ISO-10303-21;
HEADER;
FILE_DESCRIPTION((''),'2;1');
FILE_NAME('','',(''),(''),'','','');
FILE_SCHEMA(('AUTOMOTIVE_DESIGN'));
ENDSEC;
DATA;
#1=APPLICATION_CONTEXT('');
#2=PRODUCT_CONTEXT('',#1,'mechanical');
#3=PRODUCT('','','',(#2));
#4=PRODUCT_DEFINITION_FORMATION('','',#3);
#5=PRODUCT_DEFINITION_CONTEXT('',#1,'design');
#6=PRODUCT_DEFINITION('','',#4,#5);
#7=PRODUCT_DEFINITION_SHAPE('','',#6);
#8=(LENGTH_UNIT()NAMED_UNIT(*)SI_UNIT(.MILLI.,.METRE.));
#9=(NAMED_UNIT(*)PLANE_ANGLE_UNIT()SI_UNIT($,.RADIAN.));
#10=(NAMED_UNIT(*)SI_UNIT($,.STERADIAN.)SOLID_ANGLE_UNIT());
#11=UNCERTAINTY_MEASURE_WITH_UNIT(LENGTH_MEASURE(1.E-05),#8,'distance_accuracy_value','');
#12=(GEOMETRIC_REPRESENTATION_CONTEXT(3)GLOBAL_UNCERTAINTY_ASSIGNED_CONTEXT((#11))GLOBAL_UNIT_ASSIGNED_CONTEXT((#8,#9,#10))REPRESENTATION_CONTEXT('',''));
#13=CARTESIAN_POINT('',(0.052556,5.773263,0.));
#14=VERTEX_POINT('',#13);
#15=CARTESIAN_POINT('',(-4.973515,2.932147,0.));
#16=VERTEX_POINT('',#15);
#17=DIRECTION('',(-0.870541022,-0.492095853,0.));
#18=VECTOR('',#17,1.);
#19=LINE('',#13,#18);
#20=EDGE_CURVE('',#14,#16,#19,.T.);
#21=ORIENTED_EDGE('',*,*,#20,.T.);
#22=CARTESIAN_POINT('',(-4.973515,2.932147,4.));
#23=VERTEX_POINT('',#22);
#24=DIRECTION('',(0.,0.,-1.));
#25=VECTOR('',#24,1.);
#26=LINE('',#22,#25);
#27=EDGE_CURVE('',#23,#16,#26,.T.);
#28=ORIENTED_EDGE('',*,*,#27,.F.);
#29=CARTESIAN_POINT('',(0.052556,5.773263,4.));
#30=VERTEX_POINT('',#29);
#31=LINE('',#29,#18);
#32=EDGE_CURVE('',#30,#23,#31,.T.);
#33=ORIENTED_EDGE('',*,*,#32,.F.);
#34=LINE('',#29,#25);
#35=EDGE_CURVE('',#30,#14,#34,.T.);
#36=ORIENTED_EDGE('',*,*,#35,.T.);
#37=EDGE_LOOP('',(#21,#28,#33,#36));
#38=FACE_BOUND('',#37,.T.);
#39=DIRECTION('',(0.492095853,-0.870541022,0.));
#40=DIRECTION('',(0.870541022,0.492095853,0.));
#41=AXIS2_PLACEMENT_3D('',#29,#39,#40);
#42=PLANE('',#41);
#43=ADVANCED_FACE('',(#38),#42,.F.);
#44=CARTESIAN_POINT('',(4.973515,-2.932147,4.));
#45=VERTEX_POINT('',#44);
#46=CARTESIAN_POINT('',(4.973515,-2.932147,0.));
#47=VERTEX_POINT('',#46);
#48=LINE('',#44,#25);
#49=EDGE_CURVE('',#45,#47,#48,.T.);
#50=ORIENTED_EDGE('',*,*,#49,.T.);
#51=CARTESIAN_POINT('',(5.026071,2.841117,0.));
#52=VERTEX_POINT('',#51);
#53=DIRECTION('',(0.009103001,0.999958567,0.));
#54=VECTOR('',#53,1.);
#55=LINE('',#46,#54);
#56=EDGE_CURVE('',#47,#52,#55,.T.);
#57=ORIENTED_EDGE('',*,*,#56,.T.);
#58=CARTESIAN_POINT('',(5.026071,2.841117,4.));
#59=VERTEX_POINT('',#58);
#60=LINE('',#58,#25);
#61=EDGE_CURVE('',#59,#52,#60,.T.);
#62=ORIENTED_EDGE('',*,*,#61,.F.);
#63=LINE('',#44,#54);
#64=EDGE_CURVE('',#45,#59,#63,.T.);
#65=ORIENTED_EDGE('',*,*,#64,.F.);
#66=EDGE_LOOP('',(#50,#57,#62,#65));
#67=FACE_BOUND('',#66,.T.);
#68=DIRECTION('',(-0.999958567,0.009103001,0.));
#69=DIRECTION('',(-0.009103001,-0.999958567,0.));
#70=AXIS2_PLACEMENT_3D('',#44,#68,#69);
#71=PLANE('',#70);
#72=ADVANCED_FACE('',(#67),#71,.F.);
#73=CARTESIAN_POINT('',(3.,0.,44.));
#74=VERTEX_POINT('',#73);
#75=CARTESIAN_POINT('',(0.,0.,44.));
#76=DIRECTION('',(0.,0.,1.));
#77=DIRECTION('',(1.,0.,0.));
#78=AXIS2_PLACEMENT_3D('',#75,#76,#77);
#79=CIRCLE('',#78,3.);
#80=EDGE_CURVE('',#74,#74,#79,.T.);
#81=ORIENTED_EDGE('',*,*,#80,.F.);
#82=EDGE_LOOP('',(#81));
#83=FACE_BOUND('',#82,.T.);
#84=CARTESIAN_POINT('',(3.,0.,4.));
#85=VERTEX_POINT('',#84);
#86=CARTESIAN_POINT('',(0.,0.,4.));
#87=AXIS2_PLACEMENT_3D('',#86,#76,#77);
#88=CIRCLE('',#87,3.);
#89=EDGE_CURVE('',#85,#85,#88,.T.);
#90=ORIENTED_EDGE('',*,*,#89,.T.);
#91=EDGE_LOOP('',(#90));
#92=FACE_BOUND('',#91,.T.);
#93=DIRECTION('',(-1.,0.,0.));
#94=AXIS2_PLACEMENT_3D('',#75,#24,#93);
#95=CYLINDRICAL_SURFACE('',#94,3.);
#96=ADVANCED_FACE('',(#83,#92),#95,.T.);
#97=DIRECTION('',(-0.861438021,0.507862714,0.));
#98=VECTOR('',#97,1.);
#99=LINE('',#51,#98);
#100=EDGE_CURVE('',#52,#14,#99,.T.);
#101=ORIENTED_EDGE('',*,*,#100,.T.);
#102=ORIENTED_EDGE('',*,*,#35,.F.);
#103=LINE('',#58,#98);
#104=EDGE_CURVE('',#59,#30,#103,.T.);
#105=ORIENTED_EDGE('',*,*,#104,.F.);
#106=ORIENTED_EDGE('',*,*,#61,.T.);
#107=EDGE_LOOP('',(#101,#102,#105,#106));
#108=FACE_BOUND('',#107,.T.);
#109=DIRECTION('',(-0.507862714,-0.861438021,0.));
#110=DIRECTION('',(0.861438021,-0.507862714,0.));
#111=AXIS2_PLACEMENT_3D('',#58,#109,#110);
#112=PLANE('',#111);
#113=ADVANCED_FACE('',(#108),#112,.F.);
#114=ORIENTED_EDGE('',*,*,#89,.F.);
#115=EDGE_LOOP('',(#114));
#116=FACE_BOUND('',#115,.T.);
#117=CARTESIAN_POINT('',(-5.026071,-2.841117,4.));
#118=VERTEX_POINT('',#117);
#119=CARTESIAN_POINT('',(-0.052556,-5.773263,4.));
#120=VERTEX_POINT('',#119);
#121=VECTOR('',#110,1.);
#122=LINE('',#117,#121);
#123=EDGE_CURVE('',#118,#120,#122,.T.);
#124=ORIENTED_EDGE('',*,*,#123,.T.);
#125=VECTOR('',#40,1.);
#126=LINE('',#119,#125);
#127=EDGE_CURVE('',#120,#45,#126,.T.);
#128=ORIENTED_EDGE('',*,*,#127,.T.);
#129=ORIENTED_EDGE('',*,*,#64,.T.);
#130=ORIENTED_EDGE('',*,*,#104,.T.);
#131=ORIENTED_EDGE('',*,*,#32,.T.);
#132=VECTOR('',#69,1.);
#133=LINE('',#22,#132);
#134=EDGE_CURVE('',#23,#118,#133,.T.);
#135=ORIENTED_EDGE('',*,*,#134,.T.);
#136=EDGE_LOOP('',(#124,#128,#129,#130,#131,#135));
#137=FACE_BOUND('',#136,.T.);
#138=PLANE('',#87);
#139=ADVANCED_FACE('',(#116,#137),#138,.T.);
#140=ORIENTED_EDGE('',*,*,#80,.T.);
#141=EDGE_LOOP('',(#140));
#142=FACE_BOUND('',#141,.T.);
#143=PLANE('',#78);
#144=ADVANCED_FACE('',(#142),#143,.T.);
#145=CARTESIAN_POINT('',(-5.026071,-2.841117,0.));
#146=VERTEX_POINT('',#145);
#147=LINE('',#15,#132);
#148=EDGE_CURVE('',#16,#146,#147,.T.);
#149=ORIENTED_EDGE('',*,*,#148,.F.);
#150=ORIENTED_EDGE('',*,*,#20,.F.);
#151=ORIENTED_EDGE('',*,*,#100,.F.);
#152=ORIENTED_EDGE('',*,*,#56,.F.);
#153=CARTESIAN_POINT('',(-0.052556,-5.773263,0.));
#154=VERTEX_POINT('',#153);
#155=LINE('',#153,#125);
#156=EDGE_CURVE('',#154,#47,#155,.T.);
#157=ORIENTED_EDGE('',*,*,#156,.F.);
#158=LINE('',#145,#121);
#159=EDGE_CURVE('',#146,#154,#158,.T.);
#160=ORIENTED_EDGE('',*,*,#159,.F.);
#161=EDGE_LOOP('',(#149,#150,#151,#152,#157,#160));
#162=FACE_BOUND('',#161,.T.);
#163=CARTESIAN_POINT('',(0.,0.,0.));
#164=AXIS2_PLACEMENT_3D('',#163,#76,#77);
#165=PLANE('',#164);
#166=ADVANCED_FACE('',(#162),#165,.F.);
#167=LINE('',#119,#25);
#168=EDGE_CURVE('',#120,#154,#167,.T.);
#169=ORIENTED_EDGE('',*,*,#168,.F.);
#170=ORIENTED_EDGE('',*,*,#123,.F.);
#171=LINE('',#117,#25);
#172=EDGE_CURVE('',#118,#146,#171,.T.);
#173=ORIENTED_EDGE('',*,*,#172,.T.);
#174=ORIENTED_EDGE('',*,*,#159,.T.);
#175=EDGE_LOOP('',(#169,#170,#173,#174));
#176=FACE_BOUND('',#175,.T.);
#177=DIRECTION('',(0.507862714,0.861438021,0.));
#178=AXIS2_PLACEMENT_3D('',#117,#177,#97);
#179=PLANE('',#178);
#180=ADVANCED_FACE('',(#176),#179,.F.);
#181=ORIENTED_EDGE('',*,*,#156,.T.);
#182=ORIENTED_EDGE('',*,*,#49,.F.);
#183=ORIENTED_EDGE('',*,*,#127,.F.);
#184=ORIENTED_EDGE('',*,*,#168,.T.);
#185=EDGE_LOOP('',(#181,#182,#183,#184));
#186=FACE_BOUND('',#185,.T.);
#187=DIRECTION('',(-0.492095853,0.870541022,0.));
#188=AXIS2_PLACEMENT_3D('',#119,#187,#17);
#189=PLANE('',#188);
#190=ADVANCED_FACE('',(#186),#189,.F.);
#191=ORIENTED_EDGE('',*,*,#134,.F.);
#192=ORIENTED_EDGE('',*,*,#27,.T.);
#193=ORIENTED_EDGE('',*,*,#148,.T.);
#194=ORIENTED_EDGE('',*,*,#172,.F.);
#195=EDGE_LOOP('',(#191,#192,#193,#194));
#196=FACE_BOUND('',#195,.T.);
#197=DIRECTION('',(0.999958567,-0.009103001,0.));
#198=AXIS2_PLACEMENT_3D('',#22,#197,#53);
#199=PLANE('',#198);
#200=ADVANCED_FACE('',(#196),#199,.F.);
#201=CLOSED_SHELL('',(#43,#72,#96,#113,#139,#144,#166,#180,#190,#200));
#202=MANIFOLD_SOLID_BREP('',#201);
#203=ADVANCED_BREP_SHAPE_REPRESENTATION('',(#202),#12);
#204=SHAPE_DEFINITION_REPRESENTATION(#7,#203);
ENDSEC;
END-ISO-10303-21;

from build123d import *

# Parameters (mm, degrees)
EXTRUDE_1_DEPTH = 4
SKETCH_2_R      = 3
EXTRUDE_2_DEPTH = 40


with BuildPart() as part:
    # Эскиз1 → Бобышка-Вытянуть1 (new body)
    with BuildSketch(Plane.XY):
        Polygon((4.973514733, -2.932146745), (5.026070936, 2.841116732), (0.052556203, 5.773263477), (-4.973514733, 2.932146745), (-5.026070936, -2.841116732), (-0.052556203, -5.773263477), align=None)
    extrude(amount=EXTRUDE_1_DEPTH)

    # Эскиз2 → Бобышка-Вытянуть2 (add)
    with BuildSketch(Plane.XY.offset(4)):
        Circle(SKETCH_2_R)
    extrude(amount=EXTRUDE_2_DEPTH)


solid = part.part
